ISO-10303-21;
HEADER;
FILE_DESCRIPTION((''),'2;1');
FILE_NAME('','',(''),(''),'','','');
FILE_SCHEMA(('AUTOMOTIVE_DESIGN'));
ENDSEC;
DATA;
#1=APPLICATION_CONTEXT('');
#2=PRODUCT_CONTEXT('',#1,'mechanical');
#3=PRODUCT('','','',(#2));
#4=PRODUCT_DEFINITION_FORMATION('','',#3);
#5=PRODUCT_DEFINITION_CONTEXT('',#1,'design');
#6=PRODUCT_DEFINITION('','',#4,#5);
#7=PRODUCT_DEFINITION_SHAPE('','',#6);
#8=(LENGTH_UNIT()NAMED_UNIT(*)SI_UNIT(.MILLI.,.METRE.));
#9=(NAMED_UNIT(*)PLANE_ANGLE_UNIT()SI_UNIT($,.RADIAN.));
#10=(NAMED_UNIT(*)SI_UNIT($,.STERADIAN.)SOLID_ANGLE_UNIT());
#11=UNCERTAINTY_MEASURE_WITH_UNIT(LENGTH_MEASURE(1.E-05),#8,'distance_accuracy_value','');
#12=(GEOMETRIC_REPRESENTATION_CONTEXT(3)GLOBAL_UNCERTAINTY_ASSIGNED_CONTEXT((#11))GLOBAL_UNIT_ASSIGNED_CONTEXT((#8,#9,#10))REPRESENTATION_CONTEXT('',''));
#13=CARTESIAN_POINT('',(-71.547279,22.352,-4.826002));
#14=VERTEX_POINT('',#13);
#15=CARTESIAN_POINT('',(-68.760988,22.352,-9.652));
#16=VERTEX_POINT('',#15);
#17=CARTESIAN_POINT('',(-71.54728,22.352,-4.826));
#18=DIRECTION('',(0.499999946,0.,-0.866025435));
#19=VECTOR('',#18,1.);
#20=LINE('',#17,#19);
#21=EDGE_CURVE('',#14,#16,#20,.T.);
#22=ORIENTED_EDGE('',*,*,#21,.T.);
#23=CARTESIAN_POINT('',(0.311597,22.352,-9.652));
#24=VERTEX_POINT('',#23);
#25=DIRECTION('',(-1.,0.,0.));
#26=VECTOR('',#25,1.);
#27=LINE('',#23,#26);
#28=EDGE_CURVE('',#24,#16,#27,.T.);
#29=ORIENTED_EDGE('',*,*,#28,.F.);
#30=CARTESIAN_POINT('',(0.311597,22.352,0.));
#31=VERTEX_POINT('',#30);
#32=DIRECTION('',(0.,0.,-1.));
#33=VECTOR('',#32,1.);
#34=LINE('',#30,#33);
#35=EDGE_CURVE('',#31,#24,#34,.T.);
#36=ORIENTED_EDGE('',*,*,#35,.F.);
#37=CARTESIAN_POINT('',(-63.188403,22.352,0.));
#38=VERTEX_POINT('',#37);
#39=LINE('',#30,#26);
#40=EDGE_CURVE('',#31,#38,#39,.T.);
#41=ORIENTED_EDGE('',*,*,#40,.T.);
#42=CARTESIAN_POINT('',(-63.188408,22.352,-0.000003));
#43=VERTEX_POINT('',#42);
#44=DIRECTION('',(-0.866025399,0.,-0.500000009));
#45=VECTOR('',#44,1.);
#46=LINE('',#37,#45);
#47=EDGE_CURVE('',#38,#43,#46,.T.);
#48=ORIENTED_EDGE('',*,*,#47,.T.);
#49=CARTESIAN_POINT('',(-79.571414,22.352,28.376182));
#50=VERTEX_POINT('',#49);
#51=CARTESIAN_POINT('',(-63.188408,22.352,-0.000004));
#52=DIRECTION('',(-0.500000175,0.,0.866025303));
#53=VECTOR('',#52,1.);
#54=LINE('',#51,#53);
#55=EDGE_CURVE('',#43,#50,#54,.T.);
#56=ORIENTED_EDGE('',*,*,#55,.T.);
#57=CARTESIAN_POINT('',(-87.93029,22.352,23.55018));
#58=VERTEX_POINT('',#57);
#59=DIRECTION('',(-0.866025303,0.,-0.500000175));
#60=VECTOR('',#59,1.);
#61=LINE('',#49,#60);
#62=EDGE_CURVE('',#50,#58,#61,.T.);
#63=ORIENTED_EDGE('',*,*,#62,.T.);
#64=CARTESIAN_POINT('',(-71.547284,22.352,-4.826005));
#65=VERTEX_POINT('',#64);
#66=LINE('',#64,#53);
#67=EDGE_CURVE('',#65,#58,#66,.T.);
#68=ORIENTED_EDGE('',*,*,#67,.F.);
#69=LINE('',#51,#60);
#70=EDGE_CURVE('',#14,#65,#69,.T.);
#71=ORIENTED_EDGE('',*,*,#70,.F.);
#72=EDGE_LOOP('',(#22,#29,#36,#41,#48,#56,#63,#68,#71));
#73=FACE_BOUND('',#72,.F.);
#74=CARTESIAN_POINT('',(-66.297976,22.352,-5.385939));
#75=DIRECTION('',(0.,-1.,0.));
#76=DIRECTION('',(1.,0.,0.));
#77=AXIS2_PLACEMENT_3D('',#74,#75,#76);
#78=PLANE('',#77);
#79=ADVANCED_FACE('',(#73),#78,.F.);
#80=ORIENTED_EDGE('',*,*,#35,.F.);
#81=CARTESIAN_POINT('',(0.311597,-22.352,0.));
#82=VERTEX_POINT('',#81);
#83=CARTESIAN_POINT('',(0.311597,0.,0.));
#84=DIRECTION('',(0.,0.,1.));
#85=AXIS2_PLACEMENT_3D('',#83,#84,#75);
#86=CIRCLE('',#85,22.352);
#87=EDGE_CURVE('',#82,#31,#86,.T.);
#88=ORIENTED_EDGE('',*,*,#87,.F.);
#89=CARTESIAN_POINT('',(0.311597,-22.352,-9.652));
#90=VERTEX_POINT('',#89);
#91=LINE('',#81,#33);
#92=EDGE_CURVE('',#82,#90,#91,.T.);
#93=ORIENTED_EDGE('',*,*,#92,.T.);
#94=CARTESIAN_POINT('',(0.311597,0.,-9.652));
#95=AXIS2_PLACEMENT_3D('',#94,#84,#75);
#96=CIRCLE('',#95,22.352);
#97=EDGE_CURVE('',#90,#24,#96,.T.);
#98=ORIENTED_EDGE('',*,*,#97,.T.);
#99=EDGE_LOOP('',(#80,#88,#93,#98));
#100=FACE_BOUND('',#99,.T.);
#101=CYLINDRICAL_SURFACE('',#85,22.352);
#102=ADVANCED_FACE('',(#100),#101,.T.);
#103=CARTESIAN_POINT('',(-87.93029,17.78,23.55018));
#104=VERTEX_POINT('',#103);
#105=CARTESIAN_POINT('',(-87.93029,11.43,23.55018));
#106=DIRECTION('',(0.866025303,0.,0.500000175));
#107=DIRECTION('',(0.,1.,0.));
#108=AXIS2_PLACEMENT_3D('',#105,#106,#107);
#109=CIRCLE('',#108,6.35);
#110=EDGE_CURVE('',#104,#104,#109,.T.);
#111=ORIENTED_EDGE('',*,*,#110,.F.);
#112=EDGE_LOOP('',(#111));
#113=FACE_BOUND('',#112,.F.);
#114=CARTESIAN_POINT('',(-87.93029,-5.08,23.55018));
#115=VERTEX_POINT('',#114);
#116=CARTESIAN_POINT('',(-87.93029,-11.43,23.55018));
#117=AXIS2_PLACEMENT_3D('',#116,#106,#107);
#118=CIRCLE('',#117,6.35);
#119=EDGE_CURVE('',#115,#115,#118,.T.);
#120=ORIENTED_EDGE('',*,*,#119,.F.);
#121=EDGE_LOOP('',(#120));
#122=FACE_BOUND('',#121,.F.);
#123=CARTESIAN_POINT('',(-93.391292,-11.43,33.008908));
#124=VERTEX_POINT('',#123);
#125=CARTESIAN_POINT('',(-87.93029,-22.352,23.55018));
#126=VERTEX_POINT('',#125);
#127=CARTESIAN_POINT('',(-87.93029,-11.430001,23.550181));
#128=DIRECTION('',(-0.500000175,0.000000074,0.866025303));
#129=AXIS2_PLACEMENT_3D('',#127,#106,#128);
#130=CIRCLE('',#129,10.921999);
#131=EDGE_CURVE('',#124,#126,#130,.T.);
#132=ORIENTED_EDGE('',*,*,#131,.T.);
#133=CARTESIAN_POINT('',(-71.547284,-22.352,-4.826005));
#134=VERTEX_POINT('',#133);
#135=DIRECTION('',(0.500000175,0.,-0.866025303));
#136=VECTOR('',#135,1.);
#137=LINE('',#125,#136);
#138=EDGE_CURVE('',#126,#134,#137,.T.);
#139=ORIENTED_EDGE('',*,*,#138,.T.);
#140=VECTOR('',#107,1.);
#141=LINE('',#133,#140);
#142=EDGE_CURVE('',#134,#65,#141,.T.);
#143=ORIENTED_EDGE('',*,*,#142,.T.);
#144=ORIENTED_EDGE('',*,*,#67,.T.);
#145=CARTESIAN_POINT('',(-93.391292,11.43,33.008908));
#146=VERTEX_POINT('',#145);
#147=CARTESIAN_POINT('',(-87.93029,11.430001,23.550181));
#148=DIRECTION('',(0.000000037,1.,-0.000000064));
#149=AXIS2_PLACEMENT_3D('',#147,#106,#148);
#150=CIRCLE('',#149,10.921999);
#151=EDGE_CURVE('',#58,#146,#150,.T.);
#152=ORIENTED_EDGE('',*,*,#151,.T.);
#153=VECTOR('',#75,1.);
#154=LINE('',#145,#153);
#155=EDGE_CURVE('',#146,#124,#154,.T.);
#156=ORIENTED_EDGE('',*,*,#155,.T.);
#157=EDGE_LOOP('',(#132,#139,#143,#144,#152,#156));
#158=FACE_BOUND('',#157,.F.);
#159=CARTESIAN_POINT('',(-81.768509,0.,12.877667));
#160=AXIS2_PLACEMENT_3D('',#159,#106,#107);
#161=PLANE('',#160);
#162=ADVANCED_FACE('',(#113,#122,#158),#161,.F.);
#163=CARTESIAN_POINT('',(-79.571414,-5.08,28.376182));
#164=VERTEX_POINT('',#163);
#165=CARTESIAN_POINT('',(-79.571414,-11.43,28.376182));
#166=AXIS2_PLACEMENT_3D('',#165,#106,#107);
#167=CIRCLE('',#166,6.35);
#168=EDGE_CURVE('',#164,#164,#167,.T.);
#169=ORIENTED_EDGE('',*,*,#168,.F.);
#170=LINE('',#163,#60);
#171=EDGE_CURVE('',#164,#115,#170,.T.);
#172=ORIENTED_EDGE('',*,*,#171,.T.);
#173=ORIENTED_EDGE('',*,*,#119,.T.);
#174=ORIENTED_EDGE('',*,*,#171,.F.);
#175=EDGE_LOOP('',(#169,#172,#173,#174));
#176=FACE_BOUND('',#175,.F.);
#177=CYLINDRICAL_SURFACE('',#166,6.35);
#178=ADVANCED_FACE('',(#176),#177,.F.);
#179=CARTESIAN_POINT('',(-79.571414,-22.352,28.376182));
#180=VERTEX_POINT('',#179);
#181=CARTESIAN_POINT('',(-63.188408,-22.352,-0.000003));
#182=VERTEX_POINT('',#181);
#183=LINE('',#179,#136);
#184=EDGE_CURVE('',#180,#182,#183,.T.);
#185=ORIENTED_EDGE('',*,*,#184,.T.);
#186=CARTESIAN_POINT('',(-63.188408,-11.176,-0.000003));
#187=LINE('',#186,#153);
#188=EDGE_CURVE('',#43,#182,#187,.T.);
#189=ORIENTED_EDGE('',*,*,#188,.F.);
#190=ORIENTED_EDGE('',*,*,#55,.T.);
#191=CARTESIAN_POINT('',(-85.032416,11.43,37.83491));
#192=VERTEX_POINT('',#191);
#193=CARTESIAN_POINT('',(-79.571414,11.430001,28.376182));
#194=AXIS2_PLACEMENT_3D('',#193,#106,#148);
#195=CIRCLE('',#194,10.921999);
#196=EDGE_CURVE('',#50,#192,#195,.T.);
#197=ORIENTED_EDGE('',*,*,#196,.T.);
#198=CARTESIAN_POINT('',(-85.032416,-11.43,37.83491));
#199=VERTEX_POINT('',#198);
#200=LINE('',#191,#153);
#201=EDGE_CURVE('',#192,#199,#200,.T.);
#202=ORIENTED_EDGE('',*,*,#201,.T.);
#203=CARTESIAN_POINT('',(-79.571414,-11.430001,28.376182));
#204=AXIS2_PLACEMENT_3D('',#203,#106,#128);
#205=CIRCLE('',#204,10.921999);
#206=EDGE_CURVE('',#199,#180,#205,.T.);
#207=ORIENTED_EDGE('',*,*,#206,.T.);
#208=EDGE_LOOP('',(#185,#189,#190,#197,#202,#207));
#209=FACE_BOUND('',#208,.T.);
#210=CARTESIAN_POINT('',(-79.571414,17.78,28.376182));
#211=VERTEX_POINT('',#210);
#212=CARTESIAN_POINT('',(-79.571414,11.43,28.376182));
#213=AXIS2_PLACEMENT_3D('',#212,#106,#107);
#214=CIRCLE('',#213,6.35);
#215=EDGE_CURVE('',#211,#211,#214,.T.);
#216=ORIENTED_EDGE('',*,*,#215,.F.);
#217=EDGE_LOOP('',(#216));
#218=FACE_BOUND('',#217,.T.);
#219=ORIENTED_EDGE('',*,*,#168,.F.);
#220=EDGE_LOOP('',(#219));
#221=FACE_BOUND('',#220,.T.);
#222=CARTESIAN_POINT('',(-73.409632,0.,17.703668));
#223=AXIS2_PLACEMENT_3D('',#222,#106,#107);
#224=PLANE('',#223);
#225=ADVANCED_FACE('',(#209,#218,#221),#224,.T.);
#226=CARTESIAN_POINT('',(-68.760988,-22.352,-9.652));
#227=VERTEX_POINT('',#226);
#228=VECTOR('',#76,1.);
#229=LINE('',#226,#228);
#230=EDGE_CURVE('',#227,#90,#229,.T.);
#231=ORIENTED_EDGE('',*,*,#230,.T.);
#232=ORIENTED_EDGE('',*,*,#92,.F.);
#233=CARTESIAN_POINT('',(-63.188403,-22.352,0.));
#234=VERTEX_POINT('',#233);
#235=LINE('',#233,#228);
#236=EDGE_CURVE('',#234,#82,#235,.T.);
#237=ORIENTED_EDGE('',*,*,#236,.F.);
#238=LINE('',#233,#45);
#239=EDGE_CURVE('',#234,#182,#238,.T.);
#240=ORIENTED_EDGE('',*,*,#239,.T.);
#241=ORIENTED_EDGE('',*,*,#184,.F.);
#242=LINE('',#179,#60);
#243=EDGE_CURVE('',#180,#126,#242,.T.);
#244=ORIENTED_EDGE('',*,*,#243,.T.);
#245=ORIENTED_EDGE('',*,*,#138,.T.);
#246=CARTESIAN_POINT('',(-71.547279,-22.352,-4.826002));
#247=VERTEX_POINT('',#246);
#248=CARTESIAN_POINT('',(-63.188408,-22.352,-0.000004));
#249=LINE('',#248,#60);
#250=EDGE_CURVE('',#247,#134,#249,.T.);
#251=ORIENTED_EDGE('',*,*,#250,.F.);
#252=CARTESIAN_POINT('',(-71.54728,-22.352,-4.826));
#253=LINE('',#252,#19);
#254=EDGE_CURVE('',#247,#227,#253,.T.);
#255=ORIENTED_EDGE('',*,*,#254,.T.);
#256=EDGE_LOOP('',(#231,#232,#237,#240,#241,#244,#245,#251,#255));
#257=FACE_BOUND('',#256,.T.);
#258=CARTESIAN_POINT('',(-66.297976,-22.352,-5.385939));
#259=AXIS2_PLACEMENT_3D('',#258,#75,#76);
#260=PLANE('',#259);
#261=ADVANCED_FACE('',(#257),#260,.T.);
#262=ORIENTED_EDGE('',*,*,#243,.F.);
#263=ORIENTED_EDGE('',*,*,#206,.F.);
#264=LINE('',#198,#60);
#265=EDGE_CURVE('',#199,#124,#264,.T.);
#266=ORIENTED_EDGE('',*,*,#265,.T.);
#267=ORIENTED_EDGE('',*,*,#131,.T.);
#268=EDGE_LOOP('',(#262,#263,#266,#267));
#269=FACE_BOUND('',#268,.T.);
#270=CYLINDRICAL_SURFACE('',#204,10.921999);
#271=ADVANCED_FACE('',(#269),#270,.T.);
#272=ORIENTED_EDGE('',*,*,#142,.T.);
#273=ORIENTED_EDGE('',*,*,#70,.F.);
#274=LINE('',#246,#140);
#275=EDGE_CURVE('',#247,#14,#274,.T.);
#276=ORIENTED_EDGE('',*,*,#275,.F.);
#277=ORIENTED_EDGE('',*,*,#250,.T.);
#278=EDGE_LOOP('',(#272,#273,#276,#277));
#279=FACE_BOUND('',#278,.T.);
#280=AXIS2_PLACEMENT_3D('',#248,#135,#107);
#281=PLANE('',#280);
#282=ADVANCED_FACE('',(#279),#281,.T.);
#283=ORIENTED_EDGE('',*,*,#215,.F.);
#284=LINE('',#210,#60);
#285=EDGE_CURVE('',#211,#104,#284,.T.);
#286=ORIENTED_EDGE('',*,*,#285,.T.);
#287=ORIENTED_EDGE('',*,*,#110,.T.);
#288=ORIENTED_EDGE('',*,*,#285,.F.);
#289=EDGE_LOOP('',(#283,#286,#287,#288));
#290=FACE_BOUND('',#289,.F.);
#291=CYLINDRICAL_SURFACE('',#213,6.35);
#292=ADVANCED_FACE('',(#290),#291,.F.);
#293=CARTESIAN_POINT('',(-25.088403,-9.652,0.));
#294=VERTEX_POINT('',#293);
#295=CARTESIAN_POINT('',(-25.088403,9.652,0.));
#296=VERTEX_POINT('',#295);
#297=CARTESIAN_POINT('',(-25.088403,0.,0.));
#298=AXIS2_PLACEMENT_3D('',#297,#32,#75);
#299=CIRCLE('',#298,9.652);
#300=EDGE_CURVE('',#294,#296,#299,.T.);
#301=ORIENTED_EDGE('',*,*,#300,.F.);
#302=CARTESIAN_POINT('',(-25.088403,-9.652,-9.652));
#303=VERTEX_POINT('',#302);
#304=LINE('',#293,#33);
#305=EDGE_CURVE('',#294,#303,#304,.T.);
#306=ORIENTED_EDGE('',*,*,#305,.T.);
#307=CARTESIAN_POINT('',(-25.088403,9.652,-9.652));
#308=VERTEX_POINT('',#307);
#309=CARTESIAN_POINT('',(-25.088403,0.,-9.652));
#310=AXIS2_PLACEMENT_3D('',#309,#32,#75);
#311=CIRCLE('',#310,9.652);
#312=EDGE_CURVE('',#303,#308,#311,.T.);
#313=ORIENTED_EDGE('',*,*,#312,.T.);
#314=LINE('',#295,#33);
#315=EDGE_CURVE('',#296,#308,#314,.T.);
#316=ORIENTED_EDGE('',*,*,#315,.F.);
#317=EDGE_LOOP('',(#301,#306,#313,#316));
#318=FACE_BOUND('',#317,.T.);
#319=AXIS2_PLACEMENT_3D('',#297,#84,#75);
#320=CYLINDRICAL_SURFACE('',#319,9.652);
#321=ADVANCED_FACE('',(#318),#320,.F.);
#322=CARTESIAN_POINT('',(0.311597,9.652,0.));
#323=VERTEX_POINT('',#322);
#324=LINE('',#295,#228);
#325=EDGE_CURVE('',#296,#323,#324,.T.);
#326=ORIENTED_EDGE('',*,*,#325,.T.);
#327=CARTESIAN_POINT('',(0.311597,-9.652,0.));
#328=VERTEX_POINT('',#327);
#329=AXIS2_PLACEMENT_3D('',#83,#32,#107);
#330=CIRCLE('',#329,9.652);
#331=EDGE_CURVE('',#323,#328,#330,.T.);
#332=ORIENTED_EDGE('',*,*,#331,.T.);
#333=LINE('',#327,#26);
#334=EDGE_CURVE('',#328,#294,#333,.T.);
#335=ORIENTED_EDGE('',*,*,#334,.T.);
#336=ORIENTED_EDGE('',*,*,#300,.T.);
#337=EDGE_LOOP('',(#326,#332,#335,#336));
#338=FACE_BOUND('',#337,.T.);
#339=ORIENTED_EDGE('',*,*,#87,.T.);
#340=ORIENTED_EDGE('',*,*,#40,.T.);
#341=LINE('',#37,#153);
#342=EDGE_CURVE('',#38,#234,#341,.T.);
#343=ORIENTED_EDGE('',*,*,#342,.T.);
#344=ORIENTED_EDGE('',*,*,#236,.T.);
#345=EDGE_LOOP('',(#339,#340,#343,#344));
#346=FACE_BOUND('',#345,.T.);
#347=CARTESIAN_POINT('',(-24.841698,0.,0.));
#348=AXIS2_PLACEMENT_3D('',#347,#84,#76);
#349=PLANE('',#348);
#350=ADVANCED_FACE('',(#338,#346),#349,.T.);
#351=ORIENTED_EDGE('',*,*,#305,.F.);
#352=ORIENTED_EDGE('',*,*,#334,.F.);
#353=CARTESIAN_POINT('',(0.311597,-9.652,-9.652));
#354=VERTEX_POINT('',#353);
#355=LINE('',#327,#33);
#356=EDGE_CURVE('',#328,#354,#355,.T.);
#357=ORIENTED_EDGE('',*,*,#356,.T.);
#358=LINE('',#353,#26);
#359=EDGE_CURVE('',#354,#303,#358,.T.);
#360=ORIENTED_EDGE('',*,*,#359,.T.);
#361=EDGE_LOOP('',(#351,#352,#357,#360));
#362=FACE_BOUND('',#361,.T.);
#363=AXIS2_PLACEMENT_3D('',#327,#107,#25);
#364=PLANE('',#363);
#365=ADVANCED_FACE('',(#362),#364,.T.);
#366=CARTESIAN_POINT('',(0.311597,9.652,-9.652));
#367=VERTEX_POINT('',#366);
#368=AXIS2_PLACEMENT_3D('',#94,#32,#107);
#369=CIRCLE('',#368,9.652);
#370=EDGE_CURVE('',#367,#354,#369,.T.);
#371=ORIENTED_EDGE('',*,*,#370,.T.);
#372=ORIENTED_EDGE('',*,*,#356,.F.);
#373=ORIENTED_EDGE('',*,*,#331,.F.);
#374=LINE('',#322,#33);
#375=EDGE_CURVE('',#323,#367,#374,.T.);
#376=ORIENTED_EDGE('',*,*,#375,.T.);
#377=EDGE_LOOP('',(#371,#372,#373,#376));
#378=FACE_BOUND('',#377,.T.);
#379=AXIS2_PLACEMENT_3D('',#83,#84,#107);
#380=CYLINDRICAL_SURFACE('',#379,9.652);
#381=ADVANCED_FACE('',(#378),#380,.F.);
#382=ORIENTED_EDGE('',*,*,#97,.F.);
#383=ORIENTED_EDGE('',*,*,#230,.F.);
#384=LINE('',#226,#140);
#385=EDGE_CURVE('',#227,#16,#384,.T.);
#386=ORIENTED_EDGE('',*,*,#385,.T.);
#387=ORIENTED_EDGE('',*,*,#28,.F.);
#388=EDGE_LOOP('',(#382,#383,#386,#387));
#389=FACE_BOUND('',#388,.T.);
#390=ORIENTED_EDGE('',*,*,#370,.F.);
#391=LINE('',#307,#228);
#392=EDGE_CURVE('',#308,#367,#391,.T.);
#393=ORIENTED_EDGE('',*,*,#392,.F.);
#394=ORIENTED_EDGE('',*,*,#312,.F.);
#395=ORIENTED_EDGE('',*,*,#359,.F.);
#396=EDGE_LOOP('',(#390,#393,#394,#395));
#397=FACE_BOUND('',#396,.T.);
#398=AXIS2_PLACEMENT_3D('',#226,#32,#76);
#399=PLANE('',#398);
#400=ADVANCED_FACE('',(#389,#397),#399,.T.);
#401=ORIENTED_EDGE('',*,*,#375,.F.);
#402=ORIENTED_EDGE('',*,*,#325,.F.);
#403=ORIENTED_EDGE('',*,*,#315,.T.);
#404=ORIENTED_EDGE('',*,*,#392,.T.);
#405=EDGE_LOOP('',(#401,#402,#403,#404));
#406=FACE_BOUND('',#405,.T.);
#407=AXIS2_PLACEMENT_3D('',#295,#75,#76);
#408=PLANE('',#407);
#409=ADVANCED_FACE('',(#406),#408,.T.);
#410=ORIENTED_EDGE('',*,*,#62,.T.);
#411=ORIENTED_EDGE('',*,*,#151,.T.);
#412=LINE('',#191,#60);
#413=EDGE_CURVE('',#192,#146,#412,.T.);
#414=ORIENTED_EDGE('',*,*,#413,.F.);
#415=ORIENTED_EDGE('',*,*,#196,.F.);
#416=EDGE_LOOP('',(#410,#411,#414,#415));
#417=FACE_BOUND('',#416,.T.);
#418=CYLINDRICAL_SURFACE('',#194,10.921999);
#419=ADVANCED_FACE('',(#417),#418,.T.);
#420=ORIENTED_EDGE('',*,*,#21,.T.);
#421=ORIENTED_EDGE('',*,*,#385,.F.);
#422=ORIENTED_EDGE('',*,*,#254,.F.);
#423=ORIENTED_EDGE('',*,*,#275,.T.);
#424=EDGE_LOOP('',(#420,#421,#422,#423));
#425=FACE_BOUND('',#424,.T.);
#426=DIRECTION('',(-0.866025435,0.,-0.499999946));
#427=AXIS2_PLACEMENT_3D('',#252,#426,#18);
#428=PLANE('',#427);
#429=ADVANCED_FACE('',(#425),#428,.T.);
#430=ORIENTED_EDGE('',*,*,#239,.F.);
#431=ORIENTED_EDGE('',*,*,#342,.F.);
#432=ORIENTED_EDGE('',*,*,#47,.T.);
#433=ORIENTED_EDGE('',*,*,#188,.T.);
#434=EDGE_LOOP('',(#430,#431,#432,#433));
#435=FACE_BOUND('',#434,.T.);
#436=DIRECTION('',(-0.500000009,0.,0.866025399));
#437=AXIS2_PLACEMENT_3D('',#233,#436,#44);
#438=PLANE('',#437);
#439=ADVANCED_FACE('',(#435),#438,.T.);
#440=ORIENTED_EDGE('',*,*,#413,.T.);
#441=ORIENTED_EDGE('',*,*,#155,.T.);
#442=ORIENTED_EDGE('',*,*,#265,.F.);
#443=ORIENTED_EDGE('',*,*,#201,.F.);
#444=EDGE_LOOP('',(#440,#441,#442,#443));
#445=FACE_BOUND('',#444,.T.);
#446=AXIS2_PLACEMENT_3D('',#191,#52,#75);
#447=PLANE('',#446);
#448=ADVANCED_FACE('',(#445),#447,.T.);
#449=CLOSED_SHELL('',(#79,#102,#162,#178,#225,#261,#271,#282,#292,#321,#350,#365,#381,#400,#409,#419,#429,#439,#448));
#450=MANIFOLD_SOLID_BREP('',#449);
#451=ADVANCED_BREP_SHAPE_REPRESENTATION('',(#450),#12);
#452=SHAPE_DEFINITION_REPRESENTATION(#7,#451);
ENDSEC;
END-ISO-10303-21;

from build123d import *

# Parameters (mm, degrees)
F2_R     = 6.35
F3_DEPTH = 9.652
F4_DEPTH = 9.652
F6_DEPTH = 44.704


with BuildPart() as f3:
    # F2 (on face) → F3 (new body)
    with BuildSketch(Plane(origin=(-47.391302, 0, -27.361381), x_dir=(0, 1, 0), z_dir=(0.866025, 0, 0.5))):
        with BuildLine():
            Line((-22.352, 64.360201), (-22.352, 31.594201))
            Line((-22.352, 31.594201), (22.352, 31.594201))
            Line((22.352, 31.594201), (22.352, 64.360201))
            ThreePointArc((22.352, 64.360201), (19.15302, 72.083222), (11.43, 75.282201))
            Line((11.43, 75.282201), (-11.43, 75.282201))
            ThreePointArc((-11.43, 75.282201), (-19.15302, 72.083222), (-22.352, 64.360201))
        make_face()
        with Locations((-11.43, 64.360201)):
            Circle(F2_R, mode=Mode.SUBTRACT)
        with Locations((11.43, 64.360201)):
            Circle(F2_R, mode=Mode.SUBTRACT)
    extrude(amount=-F3_DEPTH)



with BuildPart() as f4:
    # F0 (on Top) → F4 (new body)
    with BuildSketch(Plane.XY):
        with BuildLine():
            Line((-63.188403, -22.352), (0.311597, -22.352))
            ThreePointArc((0.311597, -22.352), (22.663597, 0), (0.311597, 22.352))
            Line((0.311597, 22.352), (-63.188403, 22.352))
            Line((-63.188403, 22.352), (-63.188403, -22.352))
        make_face()
        with BuildLine():
            ThreePointArc((0.311597, 9.652), (9.963597, 0), (0.311597, -9.652))
            Line((0.311597, -9.652), (-25.088403, -9.652))
            ThreePointArc((-25.088403, -9.652), (-34.740403, 0), (-25.088403, 9.652))
            Line((-25.088403, 9.652), (0.311597, 9.652))
        make_face(mode=Mode.SUBTRACT)
    extrude(amount=-F4_DEPTH)


with BuildPart() as f3_1:
    add(f3.part)

    add(f4.part)  # F6 merges F4
    # F5 (on face) → F6 (join)
    with BuildSketch(Plane.XZ.offset(22.352)):
        Polygon((-63.188403, 0), (-71.54728, -4.826), (-68.760988, -9.652), (-63.188403, -9.652), align=None)
    extrude(amount=-F6_DEPTH)


solid = f3_1.part
